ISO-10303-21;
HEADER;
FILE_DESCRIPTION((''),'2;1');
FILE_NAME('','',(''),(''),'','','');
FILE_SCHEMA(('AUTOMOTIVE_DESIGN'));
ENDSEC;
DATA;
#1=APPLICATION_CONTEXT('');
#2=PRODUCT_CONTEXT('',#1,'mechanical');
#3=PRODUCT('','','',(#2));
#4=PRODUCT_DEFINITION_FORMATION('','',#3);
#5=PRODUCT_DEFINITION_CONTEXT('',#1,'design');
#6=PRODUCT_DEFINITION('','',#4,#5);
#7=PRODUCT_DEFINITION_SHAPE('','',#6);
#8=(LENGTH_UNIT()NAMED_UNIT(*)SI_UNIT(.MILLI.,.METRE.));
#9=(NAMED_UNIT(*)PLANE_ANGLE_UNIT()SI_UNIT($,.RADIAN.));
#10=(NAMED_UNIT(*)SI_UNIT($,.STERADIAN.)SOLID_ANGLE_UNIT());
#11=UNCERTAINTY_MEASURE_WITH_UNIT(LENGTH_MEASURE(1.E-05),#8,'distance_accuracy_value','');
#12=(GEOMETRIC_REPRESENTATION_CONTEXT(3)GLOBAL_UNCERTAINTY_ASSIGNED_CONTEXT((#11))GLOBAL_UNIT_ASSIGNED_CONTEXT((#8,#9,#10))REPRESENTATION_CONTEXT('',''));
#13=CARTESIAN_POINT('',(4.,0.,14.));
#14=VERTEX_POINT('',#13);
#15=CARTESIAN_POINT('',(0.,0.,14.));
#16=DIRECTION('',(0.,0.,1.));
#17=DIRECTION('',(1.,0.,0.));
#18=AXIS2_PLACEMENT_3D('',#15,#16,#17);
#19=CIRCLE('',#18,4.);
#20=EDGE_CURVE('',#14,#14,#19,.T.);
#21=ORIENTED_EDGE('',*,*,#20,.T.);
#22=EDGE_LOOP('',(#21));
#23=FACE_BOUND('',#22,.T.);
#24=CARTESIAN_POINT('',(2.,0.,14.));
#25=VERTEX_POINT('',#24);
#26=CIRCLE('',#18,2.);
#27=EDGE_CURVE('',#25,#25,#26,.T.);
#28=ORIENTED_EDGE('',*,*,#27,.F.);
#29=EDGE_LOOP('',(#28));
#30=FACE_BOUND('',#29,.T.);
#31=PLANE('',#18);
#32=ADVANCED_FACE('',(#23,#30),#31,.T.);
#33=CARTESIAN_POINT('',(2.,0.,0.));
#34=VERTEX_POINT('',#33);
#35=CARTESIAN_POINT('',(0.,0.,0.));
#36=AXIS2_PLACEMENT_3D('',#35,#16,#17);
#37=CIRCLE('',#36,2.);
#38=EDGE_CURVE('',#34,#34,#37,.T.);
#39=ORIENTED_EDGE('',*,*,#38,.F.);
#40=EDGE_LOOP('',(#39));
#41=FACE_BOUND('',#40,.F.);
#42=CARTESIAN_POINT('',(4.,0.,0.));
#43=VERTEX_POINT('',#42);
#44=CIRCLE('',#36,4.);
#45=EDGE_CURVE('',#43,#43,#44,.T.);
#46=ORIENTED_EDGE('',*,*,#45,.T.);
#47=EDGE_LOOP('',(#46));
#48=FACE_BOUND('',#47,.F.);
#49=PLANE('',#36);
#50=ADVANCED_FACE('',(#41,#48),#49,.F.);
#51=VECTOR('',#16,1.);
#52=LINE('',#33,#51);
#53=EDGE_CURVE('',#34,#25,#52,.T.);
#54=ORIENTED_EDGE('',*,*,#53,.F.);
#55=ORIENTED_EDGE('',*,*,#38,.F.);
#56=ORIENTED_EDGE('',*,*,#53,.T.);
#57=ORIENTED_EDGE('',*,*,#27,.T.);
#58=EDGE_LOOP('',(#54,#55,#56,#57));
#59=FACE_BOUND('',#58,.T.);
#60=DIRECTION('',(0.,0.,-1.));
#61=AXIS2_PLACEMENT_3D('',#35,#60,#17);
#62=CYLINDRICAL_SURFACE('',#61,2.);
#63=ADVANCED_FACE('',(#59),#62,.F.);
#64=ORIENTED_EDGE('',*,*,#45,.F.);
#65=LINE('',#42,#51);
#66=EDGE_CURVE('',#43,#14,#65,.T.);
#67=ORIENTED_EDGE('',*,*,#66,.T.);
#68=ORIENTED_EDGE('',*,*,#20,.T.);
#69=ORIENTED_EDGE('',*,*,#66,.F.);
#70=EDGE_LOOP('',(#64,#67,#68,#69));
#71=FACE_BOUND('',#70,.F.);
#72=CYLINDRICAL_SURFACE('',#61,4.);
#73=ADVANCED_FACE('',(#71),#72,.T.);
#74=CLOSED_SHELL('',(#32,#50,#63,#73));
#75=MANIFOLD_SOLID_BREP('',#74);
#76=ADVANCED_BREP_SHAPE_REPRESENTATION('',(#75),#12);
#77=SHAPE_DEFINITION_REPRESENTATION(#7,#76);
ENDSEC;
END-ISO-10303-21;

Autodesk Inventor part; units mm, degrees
ref_plane "YZ Plane" through (0, 0, 0) normal (1, 0, 0) x (0, 1, 0)
ref_plane "XZ Plane" through (0, 0, 0) normal (0, 1, 0) x (-1, 0, 0)
ref_plane "XY Plane" through (0, 0, 0) normal (0, 0, 1) x (1, 0, 0)
sketch "スケッチ1" plane through (0, 0, 0) normal (0, 0, 1) x (1, 0, 0)
  circle A0 centre (0, 0) radius 4
  circle A1 centre (0, 0) radius 2
  dimension "d0" = 8
  dimension "d1" = 4
extrude "押し出し1" add sketch "スケッチ1" along normal blind 14
properties part number "スペーサーm3-14　簡易筒型" material "アルミニウム 2014-T4"
